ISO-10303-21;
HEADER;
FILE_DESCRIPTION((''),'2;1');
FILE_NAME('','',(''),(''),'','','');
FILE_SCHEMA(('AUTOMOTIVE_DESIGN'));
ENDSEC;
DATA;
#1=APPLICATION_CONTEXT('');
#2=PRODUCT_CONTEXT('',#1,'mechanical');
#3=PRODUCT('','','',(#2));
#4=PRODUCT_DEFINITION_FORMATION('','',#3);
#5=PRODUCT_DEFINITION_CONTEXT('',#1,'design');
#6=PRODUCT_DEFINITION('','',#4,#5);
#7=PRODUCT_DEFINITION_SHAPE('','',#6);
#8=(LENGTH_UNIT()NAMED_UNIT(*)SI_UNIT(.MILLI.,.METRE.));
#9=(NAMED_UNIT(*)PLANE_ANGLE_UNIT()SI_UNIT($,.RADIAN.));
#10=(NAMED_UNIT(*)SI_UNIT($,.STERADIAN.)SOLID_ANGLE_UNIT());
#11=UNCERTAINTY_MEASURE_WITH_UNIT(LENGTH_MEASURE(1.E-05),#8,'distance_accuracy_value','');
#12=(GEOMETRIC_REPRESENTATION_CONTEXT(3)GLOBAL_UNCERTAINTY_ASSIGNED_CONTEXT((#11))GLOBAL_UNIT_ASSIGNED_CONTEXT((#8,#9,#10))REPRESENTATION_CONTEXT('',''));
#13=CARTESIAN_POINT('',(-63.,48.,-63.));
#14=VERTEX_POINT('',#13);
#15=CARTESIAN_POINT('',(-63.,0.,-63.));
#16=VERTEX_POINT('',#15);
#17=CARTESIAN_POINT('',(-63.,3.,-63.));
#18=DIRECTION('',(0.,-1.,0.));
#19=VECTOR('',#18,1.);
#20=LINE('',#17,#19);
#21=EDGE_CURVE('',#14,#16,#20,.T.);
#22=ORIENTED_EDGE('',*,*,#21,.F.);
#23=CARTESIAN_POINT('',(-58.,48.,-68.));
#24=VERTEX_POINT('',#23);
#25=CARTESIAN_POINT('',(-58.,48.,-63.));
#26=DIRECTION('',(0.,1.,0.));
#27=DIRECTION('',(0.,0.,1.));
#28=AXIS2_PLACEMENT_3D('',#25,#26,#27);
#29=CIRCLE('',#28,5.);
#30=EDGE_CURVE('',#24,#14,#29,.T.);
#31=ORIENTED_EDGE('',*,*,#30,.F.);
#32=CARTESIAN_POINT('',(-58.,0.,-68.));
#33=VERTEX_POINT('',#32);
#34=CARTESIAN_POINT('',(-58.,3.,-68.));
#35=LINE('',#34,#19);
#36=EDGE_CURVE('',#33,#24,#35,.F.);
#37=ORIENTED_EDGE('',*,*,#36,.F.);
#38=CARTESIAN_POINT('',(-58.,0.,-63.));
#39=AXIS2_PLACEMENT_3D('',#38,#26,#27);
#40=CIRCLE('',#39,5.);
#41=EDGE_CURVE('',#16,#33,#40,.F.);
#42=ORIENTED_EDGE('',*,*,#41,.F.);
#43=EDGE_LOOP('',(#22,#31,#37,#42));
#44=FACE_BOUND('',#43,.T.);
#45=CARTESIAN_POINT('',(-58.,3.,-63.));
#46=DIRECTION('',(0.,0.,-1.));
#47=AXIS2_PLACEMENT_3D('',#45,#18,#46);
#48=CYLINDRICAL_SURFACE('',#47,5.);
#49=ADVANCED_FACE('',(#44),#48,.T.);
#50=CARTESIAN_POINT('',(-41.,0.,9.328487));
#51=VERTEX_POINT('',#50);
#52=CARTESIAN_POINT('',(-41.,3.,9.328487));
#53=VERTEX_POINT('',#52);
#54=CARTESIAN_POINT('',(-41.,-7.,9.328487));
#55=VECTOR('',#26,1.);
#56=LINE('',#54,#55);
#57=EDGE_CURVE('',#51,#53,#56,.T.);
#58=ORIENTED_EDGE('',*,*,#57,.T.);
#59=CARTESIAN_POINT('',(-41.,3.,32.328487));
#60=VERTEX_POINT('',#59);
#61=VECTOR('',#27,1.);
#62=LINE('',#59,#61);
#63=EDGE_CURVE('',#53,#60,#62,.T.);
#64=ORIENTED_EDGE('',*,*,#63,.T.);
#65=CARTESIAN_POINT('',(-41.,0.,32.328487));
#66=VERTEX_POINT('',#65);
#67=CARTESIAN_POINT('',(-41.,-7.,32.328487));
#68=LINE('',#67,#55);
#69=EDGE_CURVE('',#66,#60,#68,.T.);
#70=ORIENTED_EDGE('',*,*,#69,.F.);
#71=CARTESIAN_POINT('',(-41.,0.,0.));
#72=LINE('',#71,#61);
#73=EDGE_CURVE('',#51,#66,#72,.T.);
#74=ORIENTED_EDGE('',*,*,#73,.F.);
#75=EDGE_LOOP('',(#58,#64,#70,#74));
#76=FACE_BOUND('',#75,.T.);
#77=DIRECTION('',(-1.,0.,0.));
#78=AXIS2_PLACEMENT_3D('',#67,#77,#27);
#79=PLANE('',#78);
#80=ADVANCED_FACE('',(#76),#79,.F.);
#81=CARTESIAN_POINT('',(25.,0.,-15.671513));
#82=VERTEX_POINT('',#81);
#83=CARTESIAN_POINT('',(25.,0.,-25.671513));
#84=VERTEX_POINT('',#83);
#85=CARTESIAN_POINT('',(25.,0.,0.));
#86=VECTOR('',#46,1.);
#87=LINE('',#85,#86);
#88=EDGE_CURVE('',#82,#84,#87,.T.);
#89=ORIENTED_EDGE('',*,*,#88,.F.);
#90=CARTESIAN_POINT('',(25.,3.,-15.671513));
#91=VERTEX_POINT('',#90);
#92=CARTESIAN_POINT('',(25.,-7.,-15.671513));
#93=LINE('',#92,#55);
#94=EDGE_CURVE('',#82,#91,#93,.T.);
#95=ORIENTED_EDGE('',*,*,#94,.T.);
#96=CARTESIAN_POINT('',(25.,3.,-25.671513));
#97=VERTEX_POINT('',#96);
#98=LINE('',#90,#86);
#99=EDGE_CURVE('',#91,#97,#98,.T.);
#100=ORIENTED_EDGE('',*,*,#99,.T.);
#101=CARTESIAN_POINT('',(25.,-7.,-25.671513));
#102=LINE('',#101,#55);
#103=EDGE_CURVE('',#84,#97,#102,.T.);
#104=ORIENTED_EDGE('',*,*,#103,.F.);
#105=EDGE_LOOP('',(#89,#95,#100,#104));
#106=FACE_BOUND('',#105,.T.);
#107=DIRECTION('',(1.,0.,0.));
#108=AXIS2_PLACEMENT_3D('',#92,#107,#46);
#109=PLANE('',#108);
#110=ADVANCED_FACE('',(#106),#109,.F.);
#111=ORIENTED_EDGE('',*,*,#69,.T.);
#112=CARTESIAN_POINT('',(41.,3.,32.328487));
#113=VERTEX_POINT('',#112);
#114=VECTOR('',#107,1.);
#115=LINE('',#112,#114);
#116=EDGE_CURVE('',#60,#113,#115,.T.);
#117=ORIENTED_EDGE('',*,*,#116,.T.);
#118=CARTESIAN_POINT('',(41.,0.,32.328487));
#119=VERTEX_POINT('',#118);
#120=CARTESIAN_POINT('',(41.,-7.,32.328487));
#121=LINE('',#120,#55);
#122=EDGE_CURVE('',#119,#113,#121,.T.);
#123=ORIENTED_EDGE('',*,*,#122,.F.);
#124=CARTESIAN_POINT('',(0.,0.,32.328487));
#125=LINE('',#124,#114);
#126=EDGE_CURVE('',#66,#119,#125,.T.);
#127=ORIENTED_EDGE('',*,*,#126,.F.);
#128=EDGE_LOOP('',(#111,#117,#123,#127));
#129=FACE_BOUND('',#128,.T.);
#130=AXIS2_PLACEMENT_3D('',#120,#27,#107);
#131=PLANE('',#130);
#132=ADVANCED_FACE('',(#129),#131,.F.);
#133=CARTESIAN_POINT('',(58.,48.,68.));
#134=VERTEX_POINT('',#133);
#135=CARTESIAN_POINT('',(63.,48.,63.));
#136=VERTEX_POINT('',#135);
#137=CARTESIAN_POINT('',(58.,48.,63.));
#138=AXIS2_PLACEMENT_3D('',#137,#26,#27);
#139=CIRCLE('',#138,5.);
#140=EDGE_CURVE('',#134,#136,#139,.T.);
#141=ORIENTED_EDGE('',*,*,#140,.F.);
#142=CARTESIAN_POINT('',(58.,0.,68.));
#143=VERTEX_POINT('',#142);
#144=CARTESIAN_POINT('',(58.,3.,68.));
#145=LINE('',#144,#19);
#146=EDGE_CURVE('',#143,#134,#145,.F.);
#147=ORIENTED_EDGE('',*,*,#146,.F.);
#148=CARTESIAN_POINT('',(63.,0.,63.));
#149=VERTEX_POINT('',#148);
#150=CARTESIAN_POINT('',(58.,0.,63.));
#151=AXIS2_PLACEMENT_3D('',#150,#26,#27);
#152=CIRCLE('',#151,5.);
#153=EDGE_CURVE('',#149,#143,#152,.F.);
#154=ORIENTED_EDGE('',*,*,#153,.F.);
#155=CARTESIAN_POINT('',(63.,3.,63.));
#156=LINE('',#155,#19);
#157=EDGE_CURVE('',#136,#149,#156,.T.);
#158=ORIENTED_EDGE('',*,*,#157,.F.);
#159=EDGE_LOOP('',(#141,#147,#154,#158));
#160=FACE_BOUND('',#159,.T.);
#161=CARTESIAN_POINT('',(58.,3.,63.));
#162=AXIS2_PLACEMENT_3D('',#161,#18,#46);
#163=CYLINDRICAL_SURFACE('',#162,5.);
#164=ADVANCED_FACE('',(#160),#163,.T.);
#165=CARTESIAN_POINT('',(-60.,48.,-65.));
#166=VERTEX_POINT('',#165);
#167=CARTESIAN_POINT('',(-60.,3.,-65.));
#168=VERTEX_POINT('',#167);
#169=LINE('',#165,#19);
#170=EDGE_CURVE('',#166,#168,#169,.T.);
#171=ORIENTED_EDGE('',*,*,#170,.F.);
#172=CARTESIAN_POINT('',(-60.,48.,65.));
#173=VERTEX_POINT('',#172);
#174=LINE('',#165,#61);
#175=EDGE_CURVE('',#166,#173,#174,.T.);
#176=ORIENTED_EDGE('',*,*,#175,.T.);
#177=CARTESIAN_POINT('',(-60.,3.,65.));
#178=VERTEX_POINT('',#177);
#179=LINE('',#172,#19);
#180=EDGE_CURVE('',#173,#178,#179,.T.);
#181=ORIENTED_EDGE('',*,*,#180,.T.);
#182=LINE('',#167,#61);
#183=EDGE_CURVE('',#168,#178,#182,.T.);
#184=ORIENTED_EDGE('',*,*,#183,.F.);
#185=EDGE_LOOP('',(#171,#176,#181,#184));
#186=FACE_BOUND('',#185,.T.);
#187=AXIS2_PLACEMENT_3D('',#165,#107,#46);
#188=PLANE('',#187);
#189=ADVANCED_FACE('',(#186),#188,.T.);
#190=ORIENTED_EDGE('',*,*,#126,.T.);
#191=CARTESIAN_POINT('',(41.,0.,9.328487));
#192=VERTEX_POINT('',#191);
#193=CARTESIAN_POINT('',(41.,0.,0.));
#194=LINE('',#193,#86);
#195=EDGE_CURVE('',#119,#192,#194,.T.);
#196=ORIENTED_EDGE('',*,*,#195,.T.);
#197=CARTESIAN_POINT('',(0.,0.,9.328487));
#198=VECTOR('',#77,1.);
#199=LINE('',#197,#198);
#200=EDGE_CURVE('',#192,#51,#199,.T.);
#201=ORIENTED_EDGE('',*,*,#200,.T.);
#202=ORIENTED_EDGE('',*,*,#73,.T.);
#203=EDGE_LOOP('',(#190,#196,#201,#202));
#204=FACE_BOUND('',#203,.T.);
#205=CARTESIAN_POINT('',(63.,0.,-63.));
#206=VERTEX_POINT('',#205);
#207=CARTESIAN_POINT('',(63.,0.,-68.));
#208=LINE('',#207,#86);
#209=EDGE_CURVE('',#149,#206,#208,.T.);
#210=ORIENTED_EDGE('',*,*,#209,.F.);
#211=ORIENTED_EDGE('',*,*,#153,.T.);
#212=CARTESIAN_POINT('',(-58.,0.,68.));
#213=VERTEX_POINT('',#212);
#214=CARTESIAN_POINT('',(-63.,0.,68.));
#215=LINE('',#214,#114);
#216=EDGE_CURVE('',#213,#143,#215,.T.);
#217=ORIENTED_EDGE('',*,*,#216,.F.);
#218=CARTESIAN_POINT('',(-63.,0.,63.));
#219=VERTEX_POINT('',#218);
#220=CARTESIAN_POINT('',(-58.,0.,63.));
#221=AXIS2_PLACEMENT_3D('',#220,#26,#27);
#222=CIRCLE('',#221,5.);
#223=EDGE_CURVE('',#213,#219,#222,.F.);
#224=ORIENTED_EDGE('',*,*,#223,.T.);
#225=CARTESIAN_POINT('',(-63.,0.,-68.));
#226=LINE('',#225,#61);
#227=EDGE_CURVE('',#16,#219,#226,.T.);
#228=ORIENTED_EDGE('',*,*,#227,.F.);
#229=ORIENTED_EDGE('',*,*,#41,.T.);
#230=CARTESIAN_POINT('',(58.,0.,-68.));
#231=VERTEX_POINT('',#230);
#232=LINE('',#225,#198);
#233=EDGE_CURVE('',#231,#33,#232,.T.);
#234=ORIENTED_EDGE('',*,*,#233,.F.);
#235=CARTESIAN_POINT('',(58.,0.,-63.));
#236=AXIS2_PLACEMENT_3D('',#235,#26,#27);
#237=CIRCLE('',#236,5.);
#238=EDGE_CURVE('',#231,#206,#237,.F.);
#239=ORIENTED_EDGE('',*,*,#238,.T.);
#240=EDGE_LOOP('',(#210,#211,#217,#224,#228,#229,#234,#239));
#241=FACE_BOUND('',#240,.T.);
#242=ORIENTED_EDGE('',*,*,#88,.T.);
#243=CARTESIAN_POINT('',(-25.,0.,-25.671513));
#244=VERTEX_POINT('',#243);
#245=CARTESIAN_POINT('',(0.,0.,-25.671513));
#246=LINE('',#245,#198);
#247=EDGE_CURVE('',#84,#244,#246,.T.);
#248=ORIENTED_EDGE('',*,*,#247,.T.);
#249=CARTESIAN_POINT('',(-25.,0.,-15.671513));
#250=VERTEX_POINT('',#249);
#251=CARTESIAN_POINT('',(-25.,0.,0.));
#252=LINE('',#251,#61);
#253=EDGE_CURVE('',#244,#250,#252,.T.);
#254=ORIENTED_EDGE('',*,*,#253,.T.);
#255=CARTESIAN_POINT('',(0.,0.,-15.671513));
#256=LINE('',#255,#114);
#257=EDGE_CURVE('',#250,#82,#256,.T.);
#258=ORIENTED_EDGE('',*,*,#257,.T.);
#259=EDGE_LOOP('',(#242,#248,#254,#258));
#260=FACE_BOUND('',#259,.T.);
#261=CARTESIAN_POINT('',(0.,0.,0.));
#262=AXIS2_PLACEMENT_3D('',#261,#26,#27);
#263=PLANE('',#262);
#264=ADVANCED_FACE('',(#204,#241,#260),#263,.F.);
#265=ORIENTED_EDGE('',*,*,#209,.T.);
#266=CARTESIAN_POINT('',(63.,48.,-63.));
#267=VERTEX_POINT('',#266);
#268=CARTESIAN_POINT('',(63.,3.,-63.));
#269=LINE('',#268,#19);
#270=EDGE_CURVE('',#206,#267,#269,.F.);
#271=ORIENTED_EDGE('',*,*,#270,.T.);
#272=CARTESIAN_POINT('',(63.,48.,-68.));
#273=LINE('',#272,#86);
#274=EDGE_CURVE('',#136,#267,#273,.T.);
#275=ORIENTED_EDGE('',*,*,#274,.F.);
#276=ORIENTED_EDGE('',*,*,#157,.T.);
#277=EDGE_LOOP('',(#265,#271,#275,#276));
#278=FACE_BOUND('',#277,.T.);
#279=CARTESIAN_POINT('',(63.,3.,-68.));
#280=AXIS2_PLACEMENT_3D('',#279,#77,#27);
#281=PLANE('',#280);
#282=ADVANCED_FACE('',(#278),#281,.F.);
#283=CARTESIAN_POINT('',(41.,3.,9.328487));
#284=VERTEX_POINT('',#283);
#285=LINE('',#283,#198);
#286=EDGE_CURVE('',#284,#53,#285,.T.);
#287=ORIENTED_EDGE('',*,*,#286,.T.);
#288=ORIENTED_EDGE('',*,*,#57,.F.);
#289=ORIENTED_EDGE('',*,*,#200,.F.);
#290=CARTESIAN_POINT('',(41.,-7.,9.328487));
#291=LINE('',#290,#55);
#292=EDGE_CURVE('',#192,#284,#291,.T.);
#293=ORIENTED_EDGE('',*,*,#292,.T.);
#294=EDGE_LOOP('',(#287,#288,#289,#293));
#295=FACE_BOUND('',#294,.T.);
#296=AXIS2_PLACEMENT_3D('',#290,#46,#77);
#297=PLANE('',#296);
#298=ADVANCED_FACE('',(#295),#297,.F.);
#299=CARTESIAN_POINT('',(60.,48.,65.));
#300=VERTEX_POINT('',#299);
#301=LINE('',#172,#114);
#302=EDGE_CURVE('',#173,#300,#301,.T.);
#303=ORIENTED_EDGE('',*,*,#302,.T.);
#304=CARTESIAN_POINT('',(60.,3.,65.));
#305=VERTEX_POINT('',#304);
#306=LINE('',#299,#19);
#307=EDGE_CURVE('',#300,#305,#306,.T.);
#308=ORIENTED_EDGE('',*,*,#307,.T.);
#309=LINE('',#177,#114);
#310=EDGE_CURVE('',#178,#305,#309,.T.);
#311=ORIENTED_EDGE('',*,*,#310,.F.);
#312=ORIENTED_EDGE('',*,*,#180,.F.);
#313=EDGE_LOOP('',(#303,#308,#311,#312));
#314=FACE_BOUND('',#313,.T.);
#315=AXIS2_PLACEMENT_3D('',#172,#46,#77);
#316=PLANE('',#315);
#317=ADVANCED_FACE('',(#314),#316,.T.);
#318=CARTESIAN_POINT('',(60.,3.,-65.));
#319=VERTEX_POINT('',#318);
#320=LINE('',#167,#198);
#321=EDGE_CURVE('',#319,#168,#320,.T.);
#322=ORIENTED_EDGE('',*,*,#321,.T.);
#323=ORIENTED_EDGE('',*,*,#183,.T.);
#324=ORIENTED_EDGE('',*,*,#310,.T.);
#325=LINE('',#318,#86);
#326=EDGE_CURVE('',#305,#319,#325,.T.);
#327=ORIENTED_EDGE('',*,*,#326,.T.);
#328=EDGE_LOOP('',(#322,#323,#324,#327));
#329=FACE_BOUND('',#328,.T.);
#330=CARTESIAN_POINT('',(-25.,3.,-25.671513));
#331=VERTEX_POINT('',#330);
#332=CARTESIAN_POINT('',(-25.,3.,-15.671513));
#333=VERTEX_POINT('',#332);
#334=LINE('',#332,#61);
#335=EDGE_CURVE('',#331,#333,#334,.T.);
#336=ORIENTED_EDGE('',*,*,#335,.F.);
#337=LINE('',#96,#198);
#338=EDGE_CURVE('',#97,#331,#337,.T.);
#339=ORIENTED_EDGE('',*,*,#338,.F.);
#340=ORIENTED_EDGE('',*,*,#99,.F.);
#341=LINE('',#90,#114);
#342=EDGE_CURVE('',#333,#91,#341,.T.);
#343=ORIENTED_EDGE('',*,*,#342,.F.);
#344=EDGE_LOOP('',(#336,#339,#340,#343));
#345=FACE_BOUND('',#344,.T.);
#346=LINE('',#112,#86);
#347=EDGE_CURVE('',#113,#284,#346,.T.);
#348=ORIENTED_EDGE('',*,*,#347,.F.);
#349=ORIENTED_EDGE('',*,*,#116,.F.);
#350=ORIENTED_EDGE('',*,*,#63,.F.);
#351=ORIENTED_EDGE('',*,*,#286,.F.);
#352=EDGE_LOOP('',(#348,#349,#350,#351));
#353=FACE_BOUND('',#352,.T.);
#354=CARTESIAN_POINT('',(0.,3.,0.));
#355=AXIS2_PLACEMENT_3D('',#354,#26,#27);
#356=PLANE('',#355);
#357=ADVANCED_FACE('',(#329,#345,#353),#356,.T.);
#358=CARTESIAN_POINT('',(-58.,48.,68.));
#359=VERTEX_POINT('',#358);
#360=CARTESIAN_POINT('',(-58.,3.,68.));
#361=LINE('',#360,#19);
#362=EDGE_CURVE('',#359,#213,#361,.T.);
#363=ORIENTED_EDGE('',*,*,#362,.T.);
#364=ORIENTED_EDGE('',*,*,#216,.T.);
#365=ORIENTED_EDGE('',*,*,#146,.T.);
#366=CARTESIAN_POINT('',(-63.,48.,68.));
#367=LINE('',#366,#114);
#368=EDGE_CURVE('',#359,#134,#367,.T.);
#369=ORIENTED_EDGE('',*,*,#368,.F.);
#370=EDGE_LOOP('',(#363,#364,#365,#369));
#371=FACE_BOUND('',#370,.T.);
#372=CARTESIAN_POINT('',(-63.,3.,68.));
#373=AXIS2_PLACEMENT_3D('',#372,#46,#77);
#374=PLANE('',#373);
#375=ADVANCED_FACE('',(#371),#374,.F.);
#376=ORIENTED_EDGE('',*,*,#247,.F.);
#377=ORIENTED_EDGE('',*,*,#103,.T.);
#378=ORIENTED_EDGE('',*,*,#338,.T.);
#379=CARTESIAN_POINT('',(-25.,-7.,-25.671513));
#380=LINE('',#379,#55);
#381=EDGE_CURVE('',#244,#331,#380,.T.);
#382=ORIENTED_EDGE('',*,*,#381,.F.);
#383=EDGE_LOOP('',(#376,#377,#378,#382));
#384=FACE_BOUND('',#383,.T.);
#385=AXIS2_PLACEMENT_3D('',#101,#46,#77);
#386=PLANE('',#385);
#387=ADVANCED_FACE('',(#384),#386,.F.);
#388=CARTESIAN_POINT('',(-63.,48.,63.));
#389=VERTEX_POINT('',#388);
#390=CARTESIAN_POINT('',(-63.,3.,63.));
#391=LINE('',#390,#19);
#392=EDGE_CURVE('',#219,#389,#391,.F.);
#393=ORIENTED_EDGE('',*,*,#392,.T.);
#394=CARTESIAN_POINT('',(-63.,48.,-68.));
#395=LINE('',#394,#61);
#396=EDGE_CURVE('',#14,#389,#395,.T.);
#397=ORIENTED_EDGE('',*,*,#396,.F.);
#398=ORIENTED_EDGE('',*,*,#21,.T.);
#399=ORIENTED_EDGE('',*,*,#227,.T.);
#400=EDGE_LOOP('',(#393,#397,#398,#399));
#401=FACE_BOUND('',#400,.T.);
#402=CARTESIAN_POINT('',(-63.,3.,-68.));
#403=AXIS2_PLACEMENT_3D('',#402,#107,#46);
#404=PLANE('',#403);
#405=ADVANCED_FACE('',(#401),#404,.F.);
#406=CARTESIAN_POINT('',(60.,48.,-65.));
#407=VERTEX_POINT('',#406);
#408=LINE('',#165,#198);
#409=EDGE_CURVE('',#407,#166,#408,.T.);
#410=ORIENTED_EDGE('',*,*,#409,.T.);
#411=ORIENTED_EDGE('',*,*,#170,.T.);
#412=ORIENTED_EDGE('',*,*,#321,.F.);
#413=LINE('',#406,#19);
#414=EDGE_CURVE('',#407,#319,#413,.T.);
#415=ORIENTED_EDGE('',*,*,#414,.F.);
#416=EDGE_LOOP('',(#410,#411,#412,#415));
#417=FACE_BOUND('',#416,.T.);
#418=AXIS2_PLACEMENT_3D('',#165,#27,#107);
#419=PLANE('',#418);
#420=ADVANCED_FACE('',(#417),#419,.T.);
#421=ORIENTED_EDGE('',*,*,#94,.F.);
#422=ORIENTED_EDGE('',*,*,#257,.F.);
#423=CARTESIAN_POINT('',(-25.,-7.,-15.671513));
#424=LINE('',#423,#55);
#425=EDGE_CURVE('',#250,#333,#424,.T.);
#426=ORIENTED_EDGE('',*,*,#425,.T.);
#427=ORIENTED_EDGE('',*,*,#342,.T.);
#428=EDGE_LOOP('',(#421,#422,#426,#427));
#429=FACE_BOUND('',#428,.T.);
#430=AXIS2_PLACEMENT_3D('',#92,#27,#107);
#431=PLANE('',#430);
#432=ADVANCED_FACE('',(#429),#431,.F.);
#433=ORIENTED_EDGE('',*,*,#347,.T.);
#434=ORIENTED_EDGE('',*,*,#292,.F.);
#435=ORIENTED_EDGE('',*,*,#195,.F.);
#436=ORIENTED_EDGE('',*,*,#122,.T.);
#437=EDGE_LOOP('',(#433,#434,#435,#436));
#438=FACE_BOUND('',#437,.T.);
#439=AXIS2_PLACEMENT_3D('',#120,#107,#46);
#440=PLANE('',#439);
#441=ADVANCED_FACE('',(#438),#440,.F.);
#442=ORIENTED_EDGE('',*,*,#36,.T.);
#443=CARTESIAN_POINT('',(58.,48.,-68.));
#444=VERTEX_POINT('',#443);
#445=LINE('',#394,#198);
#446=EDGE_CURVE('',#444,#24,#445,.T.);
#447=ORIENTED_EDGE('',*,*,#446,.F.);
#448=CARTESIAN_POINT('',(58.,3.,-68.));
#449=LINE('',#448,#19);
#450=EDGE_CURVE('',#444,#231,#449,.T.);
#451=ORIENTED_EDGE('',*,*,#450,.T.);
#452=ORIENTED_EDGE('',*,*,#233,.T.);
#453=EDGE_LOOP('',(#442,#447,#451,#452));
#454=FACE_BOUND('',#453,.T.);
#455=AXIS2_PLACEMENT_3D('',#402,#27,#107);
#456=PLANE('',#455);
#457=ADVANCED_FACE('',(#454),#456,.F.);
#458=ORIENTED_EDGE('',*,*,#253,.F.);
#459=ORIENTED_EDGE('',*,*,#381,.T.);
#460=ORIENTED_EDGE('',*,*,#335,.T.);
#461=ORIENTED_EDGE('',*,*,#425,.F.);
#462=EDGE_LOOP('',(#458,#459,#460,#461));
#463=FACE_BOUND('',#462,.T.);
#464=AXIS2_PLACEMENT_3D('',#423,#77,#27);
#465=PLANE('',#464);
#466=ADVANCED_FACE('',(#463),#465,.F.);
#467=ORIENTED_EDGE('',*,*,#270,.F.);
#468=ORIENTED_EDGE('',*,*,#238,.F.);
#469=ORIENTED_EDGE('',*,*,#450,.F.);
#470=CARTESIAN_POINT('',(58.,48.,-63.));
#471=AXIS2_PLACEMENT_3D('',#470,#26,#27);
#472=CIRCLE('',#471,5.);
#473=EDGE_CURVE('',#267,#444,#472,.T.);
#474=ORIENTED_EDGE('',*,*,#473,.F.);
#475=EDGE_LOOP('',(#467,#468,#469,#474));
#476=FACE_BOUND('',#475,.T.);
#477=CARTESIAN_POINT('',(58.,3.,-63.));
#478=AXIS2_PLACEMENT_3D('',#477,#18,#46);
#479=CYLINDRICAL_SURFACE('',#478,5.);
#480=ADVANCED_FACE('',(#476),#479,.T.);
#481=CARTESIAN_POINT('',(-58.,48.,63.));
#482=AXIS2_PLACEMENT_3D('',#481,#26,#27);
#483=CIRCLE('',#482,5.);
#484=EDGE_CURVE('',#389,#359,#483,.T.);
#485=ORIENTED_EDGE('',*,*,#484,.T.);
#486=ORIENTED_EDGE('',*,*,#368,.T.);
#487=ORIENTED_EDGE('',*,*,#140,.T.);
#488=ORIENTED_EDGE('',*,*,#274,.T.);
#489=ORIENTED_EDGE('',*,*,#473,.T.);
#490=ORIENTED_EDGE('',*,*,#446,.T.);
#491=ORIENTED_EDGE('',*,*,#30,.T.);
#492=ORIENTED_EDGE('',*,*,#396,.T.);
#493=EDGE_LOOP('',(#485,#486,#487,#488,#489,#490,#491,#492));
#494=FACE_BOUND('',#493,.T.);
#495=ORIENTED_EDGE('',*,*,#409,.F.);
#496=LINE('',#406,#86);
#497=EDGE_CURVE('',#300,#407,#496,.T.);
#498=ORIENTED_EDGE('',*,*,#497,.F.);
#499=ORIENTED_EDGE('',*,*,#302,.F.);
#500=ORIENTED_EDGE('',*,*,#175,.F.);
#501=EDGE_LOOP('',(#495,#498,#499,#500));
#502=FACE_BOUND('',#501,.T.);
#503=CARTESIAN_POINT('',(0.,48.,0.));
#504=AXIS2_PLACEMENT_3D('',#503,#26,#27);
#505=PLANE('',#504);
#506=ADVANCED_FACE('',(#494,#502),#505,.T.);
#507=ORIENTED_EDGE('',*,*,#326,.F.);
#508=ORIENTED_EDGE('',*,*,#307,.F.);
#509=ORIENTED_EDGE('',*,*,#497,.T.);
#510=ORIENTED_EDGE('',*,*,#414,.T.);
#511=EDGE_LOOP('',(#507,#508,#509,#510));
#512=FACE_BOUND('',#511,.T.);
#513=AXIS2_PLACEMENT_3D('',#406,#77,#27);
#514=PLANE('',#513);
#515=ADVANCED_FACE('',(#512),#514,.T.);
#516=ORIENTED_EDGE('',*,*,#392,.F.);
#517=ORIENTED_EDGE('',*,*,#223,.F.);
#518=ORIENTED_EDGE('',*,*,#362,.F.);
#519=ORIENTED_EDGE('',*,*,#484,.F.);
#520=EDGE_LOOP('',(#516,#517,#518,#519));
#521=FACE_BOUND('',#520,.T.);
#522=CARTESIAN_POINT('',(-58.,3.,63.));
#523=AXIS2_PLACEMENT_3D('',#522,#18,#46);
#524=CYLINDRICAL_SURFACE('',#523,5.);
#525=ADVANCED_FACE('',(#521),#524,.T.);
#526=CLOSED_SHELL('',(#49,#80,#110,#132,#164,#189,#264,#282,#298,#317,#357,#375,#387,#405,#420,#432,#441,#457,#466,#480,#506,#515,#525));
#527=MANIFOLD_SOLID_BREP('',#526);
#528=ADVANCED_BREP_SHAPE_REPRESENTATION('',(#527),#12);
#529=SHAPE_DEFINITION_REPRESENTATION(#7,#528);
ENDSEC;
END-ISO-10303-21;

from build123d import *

# Parameters (mm, degrees)
SKETCH1_W           = 126
SKETCH1_H           = 136
BOSS_EXTRUDE1_DEPTH = 3
SKETCH2_W           = 126
SKETCH2_H           = 136
SKETCH2_W_2         = 120
SKETCH2_H_2         = 130
BOSS_EXTRUDE2_DEPTH = 45
FILLET1_R           = 5
SKETCH4_W           = 82
SKETCH4_H           = 23
SKETCH4_W_2         = 50
SKETCH4_H_2         = 10
CUT_EXTRUDE1_DEPTH  = 10


with BuildPart() as part:
    # Sketch1 → Boss-Extrude1 (new body)
    with BuildSketch(Plane(origin=(0, 0, 0), x_dir=(1, 0, 0), z_dir=(0, 1, 0))):
        Rectangle(SKETCH1_W, SKETCH1_H)
    extrude(amount=BOSS_EXTRUDE1_DEPTH)

    # Sketch2 → Boss-Extrude2 (add)
    with BuildSketch(Plane(origin=(0, 3, 0), x_dir=(1, 0, 0), z_dir=(0, 1, 0))):
        Rectangle(SKETCH2_W, SKETCH2_H)
        Rectangle(SKETCH2_W_2, SKETCH2_H_2, mode=Mode.SUBTRACT)
    extrude(amount=BOSS_EXTRUDE2_DEPTH)

    # Fillet1
    fillet1_edges = [part.edges().sort_by_distance(p)[0] for p in [
        (63, 24, 68),
        (-63, 24, 68),
        (-63, 24, -68),
        (63, 24, -68),
    ]]
    fillet(fillet1_edges, radius=FILLET1_R)

    # Sketch4 → Cut-Extrude1 (cut)
    with BuildSketch(Plane(origin=(0, 3, 0), x_dir=(1, 0, 0), z_dir=(0, 1, 0))):
        with Locations((0, -20.828487482)):
            Rectangle(SKETCH4_W, SKETCH4_H)
        with Locations((0, 20.671512518)):
            Rectangle(SKETCH4_W_2, SKETCH4_H_2)
    extrude(amount=-CUT_EXTRUDE1_DEPTH, mode=Mode.SUBTRACT)


solid = part.part
